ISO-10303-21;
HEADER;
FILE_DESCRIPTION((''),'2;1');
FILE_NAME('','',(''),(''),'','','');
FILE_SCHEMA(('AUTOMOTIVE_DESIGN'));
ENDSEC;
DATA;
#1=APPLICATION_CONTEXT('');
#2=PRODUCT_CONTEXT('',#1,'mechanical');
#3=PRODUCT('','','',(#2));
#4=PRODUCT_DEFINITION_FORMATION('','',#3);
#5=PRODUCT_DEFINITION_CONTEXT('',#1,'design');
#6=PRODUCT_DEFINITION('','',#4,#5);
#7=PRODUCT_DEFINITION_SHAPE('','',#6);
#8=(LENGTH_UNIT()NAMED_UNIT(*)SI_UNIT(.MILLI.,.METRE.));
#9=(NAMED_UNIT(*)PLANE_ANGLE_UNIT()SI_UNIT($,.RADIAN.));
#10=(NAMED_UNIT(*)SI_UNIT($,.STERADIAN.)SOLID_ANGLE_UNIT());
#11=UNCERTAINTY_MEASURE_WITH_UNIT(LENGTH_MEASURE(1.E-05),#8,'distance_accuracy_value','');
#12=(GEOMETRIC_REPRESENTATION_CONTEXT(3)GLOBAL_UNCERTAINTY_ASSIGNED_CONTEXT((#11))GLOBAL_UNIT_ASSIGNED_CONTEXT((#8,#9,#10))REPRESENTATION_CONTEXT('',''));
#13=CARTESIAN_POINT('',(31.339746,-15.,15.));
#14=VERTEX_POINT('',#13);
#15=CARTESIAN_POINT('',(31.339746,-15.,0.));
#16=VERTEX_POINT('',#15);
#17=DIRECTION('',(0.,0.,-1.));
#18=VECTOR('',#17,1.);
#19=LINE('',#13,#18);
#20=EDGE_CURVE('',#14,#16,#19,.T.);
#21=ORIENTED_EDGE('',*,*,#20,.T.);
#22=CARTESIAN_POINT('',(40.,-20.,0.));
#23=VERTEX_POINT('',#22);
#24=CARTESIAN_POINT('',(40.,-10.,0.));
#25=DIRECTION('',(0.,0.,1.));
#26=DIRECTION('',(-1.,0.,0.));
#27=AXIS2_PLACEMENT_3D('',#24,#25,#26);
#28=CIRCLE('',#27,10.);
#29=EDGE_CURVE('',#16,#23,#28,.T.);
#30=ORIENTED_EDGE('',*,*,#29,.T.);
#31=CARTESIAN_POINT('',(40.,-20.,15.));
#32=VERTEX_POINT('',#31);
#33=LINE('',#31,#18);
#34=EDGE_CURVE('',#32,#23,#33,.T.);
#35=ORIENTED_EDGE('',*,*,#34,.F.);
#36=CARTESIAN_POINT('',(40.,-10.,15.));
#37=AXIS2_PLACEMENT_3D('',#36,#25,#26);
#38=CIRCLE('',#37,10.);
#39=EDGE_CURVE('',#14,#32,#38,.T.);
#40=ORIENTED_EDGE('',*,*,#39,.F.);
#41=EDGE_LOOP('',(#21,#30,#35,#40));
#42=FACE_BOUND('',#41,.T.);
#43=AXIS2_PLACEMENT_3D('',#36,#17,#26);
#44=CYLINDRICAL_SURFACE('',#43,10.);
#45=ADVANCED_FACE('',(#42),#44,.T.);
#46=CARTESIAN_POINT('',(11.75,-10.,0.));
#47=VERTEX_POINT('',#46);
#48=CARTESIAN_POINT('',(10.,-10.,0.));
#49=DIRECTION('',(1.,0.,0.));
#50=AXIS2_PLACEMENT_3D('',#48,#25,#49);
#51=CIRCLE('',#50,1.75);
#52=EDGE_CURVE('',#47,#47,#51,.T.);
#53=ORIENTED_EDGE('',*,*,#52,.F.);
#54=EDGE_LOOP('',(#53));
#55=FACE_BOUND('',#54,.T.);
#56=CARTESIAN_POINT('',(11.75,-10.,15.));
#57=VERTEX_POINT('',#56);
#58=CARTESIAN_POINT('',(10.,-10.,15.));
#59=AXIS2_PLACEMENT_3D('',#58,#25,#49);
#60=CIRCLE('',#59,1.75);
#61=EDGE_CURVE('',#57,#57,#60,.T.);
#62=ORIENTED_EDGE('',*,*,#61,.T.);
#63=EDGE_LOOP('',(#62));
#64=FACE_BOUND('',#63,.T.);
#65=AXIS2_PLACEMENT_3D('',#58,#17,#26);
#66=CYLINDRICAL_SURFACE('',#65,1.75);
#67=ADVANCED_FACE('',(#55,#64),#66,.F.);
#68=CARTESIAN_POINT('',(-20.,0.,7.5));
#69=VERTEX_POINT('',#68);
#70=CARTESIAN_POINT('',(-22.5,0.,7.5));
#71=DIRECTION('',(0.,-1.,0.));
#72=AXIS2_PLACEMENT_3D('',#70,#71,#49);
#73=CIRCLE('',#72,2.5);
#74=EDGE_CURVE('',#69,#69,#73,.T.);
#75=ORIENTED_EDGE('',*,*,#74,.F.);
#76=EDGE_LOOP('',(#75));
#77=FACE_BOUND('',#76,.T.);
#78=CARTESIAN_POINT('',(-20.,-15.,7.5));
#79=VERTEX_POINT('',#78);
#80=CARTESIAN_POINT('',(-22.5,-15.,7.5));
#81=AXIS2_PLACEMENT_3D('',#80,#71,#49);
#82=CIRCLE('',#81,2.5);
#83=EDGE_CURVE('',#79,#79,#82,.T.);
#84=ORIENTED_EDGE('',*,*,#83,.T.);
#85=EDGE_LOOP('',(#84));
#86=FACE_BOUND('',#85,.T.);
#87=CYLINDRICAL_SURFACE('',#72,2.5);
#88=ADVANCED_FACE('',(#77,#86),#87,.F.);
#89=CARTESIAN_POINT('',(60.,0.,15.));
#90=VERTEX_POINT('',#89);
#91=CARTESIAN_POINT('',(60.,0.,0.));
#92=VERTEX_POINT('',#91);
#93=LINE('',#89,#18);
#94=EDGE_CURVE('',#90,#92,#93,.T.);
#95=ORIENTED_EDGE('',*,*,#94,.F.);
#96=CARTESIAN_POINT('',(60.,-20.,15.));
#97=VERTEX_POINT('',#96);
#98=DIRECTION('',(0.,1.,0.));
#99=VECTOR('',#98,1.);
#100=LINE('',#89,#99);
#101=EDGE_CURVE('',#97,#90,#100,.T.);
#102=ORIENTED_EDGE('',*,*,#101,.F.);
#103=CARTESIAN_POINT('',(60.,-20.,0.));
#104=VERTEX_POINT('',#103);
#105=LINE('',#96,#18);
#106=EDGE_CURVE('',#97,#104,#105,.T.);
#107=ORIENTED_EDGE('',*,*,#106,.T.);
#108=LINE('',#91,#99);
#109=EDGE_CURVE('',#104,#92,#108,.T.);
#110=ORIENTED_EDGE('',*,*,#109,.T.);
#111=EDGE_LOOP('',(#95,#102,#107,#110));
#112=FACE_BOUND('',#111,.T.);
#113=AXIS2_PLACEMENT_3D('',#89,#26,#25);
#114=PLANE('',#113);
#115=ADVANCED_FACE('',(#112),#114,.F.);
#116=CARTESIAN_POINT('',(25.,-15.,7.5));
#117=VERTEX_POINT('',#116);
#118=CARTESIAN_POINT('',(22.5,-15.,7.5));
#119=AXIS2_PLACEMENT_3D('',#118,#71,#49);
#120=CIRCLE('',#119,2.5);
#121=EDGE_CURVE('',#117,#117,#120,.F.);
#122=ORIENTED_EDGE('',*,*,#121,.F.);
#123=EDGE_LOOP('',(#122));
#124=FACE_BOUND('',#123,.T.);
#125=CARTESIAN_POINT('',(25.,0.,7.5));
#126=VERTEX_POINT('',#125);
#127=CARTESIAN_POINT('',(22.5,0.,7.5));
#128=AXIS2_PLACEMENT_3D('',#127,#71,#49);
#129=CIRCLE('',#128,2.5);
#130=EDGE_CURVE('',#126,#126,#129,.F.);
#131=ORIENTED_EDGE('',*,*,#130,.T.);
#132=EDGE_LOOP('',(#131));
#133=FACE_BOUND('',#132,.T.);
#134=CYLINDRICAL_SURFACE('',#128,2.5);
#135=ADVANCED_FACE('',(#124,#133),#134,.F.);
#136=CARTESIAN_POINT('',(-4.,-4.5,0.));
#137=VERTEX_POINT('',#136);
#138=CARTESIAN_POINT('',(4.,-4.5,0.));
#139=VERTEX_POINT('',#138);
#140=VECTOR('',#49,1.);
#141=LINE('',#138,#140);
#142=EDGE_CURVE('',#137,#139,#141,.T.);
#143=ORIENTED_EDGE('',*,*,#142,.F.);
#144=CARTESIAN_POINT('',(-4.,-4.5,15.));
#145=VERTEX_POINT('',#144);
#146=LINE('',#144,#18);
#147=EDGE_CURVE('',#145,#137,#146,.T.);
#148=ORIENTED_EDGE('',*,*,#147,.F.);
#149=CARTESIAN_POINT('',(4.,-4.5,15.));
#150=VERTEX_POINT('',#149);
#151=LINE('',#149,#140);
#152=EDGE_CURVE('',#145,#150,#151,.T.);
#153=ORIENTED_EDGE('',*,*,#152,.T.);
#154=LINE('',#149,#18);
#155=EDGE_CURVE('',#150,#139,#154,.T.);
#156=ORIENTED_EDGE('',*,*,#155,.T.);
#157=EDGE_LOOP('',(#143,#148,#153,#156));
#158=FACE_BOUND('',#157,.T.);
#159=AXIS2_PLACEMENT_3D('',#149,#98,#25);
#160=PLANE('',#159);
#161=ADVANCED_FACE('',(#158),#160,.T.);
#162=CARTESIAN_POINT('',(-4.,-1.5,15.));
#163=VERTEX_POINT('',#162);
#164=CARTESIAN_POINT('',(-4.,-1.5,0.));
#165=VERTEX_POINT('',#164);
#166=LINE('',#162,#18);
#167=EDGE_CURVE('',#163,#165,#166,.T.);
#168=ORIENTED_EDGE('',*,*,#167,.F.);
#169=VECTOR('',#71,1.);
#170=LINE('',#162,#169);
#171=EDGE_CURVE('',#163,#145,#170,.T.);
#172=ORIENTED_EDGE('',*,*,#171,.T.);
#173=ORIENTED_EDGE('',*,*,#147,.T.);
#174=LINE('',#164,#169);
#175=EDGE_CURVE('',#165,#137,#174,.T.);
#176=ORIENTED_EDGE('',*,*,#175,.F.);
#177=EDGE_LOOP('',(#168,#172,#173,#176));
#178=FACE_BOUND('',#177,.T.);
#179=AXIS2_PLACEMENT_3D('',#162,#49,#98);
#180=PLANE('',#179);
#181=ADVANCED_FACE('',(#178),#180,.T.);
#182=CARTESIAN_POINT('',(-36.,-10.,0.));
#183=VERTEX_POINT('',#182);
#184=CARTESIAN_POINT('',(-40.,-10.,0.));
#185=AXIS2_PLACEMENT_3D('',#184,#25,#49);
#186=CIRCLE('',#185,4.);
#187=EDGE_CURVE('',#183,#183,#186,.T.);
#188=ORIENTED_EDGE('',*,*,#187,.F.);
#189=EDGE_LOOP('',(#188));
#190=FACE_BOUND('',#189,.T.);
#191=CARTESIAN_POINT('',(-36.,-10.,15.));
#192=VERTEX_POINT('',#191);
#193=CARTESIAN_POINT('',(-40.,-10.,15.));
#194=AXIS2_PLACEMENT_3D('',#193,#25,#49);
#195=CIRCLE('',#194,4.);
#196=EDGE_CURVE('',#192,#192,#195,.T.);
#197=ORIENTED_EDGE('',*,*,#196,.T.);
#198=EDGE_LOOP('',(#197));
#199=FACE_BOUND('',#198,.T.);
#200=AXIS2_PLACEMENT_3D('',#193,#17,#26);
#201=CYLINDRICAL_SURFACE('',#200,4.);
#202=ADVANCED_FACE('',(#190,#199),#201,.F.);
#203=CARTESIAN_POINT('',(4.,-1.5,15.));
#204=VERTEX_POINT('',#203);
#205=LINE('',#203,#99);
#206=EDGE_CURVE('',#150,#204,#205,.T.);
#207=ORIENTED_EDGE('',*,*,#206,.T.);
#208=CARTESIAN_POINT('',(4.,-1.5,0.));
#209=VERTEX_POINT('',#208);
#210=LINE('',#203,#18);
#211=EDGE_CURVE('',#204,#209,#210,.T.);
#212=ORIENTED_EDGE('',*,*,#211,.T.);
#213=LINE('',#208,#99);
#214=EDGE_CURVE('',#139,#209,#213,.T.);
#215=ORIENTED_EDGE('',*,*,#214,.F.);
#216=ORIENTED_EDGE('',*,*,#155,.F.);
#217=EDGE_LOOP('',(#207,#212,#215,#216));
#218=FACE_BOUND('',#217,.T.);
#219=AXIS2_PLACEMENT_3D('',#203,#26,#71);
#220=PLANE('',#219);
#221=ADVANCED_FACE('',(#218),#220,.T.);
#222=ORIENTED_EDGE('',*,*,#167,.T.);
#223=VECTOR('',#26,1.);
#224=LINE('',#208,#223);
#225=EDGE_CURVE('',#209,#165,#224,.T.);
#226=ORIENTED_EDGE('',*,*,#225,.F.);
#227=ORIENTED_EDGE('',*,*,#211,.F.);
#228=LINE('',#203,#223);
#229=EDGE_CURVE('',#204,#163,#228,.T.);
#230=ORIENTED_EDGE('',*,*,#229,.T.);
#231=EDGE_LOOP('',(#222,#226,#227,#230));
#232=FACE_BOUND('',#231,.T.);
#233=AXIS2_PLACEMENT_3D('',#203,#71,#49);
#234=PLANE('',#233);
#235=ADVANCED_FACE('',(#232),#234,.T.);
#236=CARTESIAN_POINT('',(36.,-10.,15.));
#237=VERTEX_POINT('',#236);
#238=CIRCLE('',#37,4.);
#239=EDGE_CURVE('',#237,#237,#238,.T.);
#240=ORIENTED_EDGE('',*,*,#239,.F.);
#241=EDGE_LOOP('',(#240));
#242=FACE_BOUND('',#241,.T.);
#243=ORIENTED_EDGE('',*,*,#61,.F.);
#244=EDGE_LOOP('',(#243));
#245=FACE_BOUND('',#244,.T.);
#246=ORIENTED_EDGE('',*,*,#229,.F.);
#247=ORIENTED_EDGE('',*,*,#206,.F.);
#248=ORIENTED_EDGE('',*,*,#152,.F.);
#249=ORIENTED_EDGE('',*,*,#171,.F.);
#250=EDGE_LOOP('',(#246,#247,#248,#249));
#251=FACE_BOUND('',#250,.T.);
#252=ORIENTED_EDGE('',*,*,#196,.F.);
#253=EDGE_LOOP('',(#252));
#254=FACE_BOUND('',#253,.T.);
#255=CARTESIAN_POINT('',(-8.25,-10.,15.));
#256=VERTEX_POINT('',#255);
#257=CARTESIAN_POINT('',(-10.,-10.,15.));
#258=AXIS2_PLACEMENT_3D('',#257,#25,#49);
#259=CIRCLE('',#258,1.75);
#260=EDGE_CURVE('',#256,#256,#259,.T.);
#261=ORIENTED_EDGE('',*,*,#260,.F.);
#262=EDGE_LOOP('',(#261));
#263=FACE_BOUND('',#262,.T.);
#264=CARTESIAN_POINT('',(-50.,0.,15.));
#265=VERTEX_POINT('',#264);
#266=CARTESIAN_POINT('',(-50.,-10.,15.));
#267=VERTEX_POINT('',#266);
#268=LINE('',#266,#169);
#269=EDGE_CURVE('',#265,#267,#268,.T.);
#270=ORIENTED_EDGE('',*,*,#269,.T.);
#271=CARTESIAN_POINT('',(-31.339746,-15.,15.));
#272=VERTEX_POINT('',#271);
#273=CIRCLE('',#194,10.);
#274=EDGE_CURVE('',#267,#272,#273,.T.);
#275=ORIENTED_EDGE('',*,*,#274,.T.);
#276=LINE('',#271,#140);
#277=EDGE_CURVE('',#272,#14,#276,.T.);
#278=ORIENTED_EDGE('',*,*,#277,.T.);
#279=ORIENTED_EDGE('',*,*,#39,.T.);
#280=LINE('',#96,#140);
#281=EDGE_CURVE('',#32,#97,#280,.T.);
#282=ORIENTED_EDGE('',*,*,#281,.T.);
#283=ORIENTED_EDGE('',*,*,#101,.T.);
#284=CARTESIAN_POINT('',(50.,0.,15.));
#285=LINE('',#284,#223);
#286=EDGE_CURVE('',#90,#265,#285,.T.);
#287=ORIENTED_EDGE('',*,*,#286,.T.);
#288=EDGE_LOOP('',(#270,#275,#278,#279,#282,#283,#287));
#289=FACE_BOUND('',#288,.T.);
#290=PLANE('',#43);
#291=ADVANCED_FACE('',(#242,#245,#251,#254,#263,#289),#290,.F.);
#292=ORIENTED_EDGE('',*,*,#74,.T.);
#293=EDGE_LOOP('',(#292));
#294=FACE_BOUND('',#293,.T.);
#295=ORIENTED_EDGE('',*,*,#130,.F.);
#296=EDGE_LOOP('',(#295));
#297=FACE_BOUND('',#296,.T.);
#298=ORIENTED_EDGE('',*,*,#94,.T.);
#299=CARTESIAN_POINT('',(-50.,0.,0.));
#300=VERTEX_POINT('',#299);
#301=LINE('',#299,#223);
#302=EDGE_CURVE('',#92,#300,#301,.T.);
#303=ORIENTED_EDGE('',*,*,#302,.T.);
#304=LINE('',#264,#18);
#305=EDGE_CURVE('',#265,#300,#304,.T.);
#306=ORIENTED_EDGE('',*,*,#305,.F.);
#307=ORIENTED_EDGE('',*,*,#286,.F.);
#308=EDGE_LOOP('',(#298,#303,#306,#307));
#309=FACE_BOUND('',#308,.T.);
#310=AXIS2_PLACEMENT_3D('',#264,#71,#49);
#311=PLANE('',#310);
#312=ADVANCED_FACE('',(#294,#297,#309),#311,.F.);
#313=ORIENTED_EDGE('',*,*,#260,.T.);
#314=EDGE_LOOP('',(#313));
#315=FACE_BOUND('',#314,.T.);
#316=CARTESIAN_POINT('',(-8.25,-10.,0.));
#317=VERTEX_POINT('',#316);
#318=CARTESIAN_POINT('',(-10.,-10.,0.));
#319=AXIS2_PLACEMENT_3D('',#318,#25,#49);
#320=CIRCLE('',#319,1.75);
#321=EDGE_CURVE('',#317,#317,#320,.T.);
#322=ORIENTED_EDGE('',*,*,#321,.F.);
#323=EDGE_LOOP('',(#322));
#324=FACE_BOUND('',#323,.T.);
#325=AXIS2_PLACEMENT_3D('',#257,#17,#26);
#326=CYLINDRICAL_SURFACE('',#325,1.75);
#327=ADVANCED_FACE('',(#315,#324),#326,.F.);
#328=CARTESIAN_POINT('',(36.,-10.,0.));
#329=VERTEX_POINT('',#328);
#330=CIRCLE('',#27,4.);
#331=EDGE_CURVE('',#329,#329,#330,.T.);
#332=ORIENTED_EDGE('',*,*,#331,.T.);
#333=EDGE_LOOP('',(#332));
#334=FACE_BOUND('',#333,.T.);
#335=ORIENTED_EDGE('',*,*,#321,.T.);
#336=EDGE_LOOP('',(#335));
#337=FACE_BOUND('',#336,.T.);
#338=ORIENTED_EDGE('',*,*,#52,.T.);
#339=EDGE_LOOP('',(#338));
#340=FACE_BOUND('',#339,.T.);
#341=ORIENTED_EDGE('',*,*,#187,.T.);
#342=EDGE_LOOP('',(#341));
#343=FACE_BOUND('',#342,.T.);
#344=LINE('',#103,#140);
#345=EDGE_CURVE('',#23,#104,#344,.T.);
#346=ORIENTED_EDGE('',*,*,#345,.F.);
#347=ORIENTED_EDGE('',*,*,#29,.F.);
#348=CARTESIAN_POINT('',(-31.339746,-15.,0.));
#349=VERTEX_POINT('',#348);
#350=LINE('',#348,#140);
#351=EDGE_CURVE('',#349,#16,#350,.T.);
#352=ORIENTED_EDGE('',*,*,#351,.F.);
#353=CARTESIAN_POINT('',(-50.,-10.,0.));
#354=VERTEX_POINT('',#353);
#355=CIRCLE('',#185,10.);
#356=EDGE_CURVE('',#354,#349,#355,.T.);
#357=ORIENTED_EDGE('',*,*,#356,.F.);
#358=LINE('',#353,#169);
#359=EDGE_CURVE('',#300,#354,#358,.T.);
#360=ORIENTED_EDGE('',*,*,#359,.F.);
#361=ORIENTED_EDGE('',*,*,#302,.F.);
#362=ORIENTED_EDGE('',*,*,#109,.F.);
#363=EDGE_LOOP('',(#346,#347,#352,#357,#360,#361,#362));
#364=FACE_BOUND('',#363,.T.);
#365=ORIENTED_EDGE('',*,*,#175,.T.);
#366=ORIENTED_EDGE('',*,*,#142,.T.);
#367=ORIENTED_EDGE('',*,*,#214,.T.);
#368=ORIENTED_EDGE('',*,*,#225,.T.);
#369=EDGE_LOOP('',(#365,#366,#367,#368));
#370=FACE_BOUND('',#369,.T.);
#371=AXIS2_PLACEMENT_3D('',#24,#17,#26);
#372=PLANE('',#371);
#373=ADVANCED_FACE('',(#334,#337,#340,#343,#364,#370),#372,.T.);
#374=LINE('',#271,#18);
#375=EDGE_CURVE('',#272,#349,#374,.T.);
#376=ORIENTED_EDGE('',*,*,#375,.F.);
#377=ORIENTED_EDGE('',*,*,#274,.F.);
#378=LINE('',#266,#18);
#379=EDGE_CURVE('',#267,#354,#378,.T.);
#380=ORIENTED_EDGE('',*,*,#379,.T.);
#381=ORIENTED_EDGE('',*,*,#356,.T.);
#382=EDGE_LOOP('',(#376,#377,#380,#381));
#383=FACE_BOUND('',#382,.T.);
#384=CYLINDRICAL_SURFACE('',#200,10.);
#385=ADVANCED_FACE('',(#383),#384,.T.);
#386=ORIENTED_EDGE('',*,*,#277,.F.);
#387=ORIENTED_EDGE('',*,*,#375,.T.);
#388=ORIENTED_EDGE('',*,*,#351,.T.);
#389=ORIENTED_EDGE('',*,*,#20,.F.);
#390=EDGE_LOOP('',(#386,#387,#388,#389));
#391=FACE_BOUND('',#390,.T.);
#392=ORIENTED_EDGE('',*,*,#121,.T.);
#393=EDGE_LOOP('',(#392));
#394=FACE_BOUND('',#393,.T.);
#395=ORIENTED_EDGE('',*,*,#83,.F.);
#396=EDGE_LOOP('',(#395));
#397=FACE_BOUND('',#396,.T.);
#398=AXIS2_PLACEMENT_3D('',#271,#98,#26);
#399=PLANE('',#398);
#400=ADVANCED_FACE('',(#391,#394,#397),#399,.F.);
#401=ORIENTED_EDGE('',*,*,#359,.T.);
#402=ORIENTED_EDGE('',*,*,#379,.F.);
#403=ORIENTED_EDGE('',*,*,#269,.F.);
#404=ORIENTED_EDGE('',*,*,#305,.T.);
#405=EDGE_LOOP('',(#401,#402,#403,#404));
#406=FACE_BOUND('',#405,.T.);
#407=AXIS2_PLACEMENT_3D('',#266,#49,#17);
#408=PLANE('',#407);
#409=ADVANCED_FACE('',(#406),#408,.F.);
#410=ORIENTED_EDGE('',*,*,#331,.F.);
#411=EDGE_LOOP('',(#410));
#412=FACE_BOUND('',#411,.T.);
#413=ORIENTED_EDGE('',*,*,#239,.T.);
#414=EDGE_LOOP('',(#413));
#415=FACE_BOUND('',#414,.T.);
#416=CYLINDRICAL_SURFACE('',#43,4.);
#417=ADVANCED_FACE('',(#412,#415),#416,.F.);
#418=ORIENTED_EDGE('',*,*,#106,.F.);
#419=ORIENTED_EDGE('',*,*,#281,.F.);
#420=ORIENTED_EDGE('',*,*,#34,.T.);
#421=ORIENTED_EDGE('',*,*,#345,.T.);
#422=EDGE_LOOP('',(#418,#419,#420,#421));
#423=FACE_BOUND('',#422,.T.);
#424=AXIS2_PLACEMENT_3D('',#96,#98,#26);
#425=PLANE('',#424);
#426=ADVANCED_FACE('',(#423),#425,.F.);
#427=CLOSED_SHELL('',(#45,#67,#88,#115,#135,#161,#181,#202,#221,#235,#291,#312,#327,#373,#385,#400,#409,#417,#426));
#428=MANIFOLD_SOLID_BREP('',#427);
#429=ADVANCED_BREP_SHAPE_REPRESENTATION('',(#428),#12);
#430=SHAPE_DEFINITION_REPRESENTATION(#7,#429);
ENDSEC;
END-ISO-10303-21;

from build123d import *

# Parameters (mm, degrees)
ESBO_O1_R                = 4
ESBO_O1_R_2              = 1.75
ESBO_O1_W                = 8
ESBO_O1_H                = 3
RESSALTO_EXTRUS_O1_DEPTH = 15
ESBO_O2_R                = 2.5
CORTE_EXTRUS_O1_DEPTH    = 15


with BuildPart() as part:
    # Esboço1 → Ressalto-extrusão1 (new body)
    with BuildSketch(Plane.XY):
        with BuildLine():
            Line((-50, -10), (-50, 0))
            Line((-50, 0), (50, 0))
            Line((50, 0), (60, 0))
            Line((60, 0), (60, -20))
            Line((60, -20), (40, -20))
            ThreePointArc((40, -20), (35, -18.660254038), (31.339745962, -15))
            Line((31.339745962, -15), (-31.339745962, -15))
            ThreePointArc((-31.339745962, -15), (-42.588190451, -19.659258263), (-50, -10))
        make_face()
        with Locations((-40, -10)):
            Circle(ESBO_O1_R, mode=Mode.SUBTRACT)
        with Locations(Location((40, -10, 0), (0, 0, 180))):
            Circle(ESBO_O1_R, mode=Mode.SUBTRACT)
        with Locations((10, -10)):
            Circle(ESBO_O1_R_2, mode=Mode.SUBTRACT)
        with Locations((-10, -10)):
            Circle(ESBO_O1_R_2, mode=Mode.SUBTRACT)
        with Locations((0, -3)):
            Rectangle(ESBO_O1_W, ESBO_O1_H, mode=Mode.SUBTRACT)
    extrude(amount=RESSALTO_EXTRUS_O1_DEPTH)

    # Esboço2 → Corte-extrusão1 (cut)
    with BuildSketch(Plane.XZ.offset(15)):
        with Locations((22.5, 7.5)):
            Circle(ESBO_O2_R)
        with Locations((-22.5, 7.5)):
            Circle(ESBO_O2_R)
    extrude(amount=-CORTE_EXTRUS_O1_DEPTH, mode=Mode.SUBTRACT)


solid = part.part
